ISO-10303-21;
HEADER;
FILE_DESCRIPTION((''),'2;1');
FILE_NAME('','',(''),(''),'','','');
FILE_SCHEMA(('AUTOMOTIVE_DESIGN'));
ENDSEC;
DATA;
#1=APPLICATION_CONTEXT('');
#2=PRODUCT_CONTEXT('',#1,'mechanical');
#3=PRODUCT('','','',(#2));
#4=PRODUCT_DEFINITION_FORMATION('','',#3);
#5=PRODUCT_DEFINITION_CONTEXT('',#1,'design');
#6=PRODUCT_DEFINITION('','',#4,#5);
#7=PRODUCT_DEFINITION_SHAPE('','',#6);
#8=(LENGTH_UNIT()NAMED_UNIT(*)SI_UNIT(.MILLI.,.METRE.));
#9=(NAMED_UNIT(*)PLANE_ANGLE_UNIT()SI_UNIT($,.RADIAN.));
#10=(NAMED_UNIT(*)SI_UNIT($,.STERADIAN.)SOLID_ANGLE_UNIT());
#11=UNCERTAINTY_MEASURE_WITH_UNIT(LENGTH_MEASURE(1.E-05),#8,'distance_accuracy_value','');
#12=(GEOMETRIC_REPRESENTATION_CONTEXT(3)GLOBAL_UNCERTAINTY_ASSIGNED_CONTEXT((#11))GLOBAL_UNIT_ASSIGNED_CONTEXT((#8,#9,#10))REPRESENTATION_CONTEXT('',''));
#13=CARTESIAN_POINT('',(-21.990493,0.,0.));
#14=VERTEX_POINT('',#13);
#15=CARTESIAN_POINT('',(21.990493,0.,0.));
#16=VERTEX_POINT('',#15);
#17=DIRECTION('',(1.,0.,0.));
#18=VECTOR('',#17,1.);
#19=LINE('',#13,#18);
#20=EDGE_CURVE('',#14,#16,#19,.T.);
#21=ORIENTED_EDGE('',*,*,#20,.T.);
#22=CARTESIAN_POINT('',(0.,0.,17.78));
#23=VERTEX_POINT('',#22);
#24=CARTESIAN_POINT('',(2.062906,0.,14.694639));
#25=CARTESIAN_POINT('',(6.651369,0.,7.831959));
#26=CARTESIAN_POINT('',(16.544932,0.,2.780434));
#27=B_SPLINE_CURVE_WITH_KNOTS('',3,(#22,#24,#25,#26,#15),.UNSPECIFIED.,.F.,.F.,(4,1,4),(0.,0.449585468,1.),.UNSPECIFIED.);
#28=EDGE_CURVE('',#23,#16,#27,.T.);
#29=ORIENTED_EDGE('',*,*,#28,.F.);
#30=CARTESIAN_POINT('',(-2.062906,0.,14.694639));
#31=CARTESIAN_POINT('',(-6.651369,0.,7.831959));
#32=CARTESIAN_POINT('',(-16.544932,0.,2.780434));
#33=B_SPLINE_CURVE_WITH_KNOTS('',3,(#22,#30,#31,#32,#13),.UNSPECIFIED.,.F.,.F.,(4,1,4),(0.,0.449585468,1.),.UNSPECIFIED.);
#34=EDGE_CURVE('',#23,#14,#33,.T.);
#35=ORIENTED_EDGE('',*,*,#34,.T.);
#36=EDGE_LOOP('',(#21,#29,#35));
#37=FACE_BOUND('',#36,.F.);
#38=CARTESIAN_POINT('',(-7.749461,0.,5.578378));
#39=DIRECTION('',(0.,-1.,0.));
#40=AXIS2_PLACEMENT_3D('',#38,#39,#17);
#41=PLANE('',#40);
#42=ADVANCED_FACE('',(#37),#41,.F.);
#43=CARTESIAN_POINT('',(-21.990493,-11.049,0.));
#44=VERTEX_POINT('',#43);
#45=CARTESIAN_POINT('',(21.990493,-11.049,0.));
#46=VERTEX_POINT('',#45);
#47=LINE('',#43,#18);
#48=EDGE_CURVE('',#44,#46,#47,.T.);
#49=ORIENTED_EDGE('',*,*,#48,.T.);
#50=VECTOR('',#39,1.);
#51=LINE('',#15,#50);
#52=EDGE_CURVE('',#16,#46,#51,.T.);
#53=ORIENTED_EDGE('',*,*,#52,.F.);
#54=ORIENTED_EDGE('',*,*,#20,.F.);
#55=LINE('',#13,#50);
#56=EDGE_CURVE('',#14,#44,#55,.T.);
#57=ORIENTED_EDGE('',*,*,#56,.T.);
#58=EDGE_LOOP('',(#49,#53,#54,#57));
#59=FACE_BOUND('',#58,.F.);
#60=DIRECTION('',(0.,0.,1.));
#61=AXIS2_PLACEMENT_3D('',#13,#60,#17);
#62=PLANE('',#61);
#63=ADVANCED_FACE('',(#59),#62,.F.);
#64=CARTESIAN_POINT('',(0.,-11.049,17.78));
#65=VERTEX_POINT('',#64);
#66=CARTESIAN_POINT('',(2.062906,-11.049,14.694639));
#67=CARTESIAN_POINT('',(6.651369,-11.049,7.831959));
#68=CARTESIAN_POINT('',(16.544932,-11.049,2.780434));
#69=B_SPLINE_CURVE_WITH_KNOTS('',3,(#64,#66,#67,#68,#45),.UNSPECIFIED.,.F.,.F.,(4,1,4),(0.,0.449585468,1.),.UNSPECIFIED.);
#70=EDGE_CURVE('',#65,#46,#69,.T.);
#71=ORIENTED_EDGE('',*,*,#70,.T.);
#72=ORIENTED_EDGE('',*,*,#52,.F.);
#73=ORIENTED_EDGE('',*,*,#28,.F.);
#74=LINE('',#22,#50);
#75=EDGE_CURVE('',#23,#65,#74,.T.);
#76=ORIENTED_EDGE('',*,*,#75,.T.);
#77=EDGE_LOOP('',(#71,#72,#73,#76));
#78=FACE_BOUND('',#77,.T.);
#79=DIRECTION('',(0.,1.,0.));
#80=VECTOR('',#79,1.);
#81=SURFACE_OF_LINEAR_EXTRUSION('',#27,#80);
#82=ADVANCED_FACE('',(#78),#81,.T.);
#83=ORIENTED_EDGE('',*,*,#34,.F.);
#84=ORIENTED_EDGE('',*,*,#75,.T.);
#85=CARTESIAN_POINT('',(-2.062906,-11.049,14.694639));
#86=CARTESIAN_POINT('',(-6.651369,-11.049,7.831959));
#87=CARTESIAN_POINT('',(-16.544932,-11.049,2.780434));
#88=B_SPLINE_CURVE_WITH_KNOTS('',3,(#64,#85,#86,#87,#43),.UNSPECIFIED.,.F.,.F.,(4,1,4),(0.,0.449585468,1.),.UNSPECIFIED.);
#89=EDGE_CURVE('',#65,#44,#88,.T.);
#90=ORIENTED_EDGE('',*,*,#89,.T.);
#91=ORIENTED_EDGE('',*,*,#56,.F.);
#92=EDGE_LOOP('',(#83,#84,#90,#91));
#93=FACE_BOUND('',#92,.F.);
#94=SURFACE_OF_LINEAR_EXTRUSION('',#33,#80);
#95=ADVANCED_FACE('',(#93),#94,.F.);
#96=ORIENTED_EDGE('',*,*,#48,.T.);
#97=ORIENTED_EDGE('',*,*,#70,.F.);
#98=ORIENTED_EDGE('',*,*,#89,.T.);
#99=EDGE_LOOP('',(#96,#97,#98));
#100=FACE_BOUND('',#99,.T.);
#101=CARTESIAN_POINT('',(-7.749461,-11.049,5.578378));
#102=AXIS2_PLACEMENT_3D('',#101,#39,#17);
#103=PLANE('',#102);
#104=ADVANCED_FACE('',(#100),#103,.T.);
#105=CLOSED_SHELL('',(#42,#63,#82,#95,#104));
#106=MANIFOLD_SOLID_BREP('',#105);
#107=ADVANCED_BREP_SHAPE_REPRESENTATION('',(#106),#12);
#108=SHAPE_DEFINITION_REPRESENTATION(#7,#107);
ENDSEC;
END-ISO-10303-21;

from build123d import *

# Parameters (mm, degrees)
F1_DEPTH = 11.049


with BuildPart() as f1:
    # F0 (on Front) → F1 (new body)
    with BuildSketch(Plane.XZ):
        with BuildLine():
            Line((-21.9904929399, 0), (0, 0))
            Line((0, 0), (0, 17.78))
            add(Edge.make_bspline(
                [(0, 17.78), (-2.0629058828, 14.6946390249), (-6.6513690498, 7.8319589522), (-16.5449316064, 2.7804336213), (-21.9904929399, 0)],
                knots=[0, 0, 0, 0, 0.4495854683, 1, 1, 1, 1], degree=3))
        make_face()
        with BuildLine():
            Line((0, 17.78), (0, 0))
            Line((0, 0), (21.9904929399, 0))
            add(Edge.make_bspline(
                [(0, 17.78), (2.0629058828, 14.6946390249), (6.6513690498, 7.8319589522), (16.5449316064, 2.7804336213), (21.9904929399, 0)],
                knots=[0, 0, 0, 0, 0.4495854683, 1, 1, 1, 1], degree=3))
        make_face()
    extrude(amount=F1_DEPTH)


solid = f1.part
